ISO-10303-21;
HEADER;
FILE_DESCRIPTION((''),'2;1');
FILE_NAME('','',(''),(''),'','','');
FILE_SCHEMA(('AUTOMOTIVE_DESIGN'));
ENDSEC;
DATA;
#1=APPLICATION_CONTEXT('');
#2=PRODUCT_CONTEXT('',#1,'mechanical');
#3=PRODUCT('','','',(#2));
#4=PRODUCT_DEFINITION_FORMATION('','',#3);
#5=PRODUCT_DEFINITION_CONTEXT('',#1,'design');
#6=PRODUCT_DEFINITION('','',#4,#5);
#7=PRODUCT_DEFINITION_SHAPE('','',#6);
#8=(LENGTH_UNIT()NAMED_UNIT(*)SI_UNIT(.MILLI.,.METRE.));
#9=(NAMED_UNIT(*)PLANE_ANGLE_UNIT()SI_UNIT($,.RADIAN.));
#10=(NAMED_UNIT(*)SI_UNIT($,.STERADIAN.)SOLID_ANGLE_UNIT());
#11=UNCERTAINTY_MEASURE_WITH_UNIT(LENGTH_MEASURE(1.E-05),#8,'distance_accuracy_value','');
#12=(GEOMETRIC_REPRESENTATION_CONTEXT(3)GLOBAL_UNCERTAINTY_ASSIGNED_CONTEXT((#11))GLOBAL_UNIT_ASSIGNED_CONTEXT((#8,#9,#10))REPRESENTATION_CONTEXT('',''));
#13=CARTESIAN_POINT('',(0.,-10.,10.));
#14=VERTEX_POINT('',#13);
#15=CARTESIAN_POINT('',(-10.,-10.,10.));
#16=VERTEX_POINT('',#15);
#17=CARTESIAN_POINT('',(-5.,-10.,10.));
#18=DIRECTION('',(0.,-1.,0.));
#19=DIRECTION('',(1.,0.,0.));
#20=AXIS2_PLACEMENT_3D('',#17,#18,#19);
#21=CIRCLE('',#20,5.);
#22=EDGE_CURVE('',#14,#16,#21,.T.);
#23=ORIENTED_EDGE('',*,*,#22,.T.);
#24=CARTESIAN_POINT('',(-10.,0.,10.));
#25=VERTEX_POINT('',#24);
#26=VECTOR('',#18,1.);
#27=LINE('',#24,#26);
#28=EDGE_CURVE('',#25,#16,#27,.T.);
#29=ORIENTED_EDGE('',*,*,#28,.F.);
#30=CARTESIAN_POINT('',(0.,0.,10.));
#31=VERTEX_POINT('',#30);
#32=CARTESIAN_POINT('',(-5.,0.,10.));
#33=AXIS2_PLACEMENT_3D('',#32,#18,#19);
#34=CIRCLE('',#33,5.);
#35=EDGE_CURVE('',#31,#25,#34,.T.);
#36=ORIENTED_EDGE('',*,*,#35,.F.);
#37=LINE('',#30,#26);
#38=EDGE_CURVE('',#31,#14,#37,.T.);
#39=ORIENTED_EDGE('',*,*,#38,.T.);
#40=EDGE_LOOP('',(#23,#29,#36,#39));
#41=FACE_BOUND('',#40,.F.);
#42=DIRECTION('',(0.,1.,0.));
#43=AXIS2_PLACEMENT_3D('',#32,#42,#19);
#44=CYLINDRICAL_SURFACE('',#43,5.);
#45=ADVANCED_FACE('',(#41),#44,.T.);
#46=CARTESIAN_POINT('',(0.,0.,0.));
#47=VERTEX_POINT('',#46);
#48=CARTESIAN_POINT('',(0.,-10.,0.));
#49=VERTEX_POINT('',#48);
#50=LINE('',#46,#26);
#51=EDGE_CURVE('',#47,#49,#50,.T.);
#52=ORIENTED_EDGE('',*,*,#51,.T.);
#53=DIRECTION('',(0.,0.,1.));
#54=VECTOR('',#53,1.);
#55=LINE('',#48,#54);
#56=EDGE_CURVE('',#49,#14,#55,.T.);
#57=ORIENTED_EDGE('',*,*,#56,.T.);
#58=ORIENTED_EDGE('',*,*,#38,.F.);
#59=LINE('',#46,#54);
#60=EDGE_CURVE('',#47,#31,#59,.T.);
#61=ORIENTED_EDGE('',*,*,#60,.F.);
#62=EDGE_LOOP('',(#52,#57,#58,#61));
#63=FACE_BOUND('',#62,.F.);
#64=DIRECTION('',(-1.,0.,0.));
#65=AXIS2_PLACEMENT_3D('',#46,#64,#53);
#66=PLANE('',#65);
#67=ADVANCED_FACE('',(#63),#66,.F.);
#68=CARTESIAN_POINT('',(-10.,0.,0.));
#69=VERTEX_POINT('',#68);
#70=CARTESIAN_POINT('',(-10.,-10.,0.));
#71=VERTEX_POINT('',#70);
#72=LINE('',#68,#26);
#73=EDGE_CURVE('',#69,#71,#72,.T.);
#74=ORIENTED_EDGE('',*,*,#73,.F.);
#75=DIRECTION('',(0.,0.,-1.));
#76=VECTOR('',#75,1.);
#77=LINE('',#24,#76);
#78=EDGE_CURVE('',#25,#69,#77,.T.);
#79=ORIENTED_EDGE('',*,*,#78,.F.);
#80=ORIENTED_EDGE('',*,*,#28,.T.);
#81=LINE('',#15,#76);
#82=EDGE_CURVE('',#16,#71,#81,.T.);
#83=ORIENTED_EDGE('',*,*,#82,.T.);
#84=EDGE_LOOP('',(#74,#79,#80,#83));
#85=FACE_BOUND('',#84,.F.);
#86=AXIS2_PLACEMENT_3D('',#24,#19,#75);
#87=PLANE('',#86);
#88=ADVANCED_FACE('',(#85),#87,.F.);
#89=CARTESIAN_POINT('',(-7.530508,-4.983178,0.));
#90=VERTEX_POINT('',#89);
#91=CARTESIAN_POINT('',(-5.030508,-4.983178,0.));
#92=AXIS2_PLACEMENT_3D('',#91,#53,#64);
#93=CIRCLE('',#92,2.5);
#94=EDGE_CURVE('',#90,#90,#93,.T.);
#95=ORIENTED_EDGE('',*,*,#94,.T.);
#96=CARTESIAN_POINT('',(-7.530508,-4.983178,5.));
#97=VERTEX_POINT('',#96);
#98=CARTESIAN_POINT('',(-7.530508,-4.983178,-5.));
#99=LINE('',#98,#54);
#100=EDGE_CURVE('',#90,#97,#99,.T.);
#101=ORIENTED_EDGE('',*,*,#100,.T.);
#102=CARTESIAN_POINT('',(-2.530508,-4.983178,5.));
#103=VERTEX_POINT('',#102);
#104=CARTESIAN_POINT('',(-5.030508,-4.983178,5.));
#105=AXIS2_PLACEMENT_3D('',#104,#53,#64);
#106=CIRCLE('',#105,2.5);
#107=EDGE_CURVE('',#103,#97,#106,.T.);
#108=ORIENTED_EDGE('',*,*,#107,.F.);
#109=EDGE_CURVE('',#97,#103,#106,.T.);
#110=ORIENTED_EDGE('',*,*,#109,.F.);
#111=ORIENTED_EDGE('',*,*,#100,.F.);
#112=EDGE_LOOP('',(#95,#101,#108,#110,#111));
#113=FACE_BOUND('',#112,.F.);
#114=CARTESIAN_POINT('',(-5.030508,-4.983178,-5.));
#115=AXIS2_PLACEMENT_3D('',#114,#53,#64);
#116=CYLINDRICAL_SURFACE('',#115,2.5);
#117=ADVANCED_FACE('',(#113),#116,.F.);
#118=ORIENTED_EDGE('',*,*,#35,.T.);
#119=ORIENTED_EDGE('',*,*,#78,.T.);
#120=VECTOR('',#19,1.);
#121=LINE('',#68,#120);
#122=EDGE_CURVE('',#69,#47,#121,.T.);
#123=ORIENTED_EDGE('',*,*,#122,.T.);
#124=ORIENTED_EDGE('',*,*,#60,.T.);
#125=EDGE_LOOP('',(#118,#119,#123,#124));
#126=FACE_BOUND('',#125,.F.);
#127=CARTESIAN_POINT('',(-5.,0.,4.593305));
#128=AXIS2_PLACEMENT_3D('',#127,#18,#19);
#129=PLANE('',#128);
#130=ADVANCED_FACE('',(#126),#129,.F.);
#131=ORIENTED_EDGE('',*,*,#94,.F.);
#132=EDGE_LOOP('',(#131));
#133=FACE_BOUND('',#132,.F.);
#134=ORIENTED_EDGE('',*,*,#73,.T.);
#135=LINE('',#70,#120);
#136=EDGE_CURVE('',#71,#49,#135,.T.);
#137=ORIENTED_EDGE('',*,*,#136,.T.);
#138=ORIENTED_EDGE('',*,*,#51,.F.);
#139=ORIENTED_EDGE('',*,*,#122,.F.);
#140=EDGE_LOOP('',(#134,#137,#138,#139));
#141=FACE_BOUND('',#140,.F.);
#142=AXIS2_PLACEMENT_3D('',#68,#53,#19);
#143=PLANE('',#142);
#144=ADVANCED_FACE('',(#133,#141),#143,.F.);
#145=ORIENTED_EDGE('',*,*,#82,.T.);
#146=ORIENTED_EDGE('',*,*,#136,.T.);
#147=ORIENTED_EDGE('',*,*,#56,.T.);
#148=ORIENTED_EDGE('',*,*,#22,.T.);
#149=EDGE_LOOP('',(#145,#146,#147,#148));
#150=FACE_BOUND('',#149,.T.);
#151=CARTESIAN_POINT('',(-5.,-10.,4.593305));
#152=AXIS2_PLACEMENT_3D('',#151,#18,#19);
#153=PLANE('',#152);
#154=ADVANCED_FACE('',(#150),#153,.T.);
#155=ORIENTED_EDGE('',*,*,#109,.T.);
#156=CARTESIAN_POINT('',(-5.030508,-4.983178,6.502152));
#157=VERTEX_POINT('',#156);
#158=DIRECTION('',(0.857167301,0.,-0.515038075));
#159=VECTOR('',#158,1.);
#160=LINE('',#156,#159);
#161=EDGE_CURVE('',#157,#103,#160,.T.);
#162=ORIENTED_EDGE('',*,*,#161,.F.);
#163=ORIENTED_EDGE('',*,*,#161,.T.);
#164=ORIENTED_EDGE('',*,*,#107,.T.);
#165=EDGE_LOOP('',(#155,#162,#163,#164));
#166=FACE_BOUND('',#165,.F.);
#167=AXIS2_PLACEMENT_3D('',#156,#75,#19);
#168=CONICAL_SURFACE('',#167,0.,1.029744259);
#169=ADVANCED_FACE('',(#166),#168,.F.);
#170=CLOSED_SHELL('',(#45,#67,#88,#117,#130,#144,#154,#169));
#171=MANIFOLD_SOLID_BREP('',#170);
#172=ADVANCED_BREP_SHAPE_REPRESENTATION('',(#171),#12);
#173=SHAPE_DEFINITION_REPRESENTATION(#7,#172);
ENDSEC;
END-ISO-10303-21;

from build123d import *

# Parameters (mm, degrees)
F1_DEPTH = 10
F4_D     = 5
F4_DEPTH = 5
F4_TIP   = 1.5021515476


with BuildPart() as f1:
    # F0 (on Front) → F1 (new body)
    with BuildSketch(Plane.XZ):
        with BuildLine():
            Line((-10, 0), (0, 0))
            Line((0, 0), (0, 10))
            ThreePointArc((0, 10), (-5, 5), (-10, 10))
            Line((-10, 10), (-10, 0))
        make_face()
        with BuildLine():
            Line((-10, 10), (0, 10))
            ThreePointArc((0, 10), (-5, 15), (-10, 10))
        make_face()
        with BuildLine():
            ThreePointArc((-10, 10), (-5, 5), (0, 10))
            Line((0, 10), (-10, 10))
        make_face()
    extrude(amount=F1_DEPTH)

    # F4
    with Locations(Plane(origin=(0, 0, 0), x_dir=(1, 0, 0), z_dir=(0, 0, -1))):
        with Locations((-5.0305076875, 4.9831778742)):
            Hole(F4_D / 2, depth=F4_DEPTH)
            with Locations((0, 0, -(F4_DEPTH + F4_TIP / 2))):  # 118° drill point
                Cone(0, F4_D / 2, F4_TIP, mode=Mode.SUBTRACT)


solid = f1.part
